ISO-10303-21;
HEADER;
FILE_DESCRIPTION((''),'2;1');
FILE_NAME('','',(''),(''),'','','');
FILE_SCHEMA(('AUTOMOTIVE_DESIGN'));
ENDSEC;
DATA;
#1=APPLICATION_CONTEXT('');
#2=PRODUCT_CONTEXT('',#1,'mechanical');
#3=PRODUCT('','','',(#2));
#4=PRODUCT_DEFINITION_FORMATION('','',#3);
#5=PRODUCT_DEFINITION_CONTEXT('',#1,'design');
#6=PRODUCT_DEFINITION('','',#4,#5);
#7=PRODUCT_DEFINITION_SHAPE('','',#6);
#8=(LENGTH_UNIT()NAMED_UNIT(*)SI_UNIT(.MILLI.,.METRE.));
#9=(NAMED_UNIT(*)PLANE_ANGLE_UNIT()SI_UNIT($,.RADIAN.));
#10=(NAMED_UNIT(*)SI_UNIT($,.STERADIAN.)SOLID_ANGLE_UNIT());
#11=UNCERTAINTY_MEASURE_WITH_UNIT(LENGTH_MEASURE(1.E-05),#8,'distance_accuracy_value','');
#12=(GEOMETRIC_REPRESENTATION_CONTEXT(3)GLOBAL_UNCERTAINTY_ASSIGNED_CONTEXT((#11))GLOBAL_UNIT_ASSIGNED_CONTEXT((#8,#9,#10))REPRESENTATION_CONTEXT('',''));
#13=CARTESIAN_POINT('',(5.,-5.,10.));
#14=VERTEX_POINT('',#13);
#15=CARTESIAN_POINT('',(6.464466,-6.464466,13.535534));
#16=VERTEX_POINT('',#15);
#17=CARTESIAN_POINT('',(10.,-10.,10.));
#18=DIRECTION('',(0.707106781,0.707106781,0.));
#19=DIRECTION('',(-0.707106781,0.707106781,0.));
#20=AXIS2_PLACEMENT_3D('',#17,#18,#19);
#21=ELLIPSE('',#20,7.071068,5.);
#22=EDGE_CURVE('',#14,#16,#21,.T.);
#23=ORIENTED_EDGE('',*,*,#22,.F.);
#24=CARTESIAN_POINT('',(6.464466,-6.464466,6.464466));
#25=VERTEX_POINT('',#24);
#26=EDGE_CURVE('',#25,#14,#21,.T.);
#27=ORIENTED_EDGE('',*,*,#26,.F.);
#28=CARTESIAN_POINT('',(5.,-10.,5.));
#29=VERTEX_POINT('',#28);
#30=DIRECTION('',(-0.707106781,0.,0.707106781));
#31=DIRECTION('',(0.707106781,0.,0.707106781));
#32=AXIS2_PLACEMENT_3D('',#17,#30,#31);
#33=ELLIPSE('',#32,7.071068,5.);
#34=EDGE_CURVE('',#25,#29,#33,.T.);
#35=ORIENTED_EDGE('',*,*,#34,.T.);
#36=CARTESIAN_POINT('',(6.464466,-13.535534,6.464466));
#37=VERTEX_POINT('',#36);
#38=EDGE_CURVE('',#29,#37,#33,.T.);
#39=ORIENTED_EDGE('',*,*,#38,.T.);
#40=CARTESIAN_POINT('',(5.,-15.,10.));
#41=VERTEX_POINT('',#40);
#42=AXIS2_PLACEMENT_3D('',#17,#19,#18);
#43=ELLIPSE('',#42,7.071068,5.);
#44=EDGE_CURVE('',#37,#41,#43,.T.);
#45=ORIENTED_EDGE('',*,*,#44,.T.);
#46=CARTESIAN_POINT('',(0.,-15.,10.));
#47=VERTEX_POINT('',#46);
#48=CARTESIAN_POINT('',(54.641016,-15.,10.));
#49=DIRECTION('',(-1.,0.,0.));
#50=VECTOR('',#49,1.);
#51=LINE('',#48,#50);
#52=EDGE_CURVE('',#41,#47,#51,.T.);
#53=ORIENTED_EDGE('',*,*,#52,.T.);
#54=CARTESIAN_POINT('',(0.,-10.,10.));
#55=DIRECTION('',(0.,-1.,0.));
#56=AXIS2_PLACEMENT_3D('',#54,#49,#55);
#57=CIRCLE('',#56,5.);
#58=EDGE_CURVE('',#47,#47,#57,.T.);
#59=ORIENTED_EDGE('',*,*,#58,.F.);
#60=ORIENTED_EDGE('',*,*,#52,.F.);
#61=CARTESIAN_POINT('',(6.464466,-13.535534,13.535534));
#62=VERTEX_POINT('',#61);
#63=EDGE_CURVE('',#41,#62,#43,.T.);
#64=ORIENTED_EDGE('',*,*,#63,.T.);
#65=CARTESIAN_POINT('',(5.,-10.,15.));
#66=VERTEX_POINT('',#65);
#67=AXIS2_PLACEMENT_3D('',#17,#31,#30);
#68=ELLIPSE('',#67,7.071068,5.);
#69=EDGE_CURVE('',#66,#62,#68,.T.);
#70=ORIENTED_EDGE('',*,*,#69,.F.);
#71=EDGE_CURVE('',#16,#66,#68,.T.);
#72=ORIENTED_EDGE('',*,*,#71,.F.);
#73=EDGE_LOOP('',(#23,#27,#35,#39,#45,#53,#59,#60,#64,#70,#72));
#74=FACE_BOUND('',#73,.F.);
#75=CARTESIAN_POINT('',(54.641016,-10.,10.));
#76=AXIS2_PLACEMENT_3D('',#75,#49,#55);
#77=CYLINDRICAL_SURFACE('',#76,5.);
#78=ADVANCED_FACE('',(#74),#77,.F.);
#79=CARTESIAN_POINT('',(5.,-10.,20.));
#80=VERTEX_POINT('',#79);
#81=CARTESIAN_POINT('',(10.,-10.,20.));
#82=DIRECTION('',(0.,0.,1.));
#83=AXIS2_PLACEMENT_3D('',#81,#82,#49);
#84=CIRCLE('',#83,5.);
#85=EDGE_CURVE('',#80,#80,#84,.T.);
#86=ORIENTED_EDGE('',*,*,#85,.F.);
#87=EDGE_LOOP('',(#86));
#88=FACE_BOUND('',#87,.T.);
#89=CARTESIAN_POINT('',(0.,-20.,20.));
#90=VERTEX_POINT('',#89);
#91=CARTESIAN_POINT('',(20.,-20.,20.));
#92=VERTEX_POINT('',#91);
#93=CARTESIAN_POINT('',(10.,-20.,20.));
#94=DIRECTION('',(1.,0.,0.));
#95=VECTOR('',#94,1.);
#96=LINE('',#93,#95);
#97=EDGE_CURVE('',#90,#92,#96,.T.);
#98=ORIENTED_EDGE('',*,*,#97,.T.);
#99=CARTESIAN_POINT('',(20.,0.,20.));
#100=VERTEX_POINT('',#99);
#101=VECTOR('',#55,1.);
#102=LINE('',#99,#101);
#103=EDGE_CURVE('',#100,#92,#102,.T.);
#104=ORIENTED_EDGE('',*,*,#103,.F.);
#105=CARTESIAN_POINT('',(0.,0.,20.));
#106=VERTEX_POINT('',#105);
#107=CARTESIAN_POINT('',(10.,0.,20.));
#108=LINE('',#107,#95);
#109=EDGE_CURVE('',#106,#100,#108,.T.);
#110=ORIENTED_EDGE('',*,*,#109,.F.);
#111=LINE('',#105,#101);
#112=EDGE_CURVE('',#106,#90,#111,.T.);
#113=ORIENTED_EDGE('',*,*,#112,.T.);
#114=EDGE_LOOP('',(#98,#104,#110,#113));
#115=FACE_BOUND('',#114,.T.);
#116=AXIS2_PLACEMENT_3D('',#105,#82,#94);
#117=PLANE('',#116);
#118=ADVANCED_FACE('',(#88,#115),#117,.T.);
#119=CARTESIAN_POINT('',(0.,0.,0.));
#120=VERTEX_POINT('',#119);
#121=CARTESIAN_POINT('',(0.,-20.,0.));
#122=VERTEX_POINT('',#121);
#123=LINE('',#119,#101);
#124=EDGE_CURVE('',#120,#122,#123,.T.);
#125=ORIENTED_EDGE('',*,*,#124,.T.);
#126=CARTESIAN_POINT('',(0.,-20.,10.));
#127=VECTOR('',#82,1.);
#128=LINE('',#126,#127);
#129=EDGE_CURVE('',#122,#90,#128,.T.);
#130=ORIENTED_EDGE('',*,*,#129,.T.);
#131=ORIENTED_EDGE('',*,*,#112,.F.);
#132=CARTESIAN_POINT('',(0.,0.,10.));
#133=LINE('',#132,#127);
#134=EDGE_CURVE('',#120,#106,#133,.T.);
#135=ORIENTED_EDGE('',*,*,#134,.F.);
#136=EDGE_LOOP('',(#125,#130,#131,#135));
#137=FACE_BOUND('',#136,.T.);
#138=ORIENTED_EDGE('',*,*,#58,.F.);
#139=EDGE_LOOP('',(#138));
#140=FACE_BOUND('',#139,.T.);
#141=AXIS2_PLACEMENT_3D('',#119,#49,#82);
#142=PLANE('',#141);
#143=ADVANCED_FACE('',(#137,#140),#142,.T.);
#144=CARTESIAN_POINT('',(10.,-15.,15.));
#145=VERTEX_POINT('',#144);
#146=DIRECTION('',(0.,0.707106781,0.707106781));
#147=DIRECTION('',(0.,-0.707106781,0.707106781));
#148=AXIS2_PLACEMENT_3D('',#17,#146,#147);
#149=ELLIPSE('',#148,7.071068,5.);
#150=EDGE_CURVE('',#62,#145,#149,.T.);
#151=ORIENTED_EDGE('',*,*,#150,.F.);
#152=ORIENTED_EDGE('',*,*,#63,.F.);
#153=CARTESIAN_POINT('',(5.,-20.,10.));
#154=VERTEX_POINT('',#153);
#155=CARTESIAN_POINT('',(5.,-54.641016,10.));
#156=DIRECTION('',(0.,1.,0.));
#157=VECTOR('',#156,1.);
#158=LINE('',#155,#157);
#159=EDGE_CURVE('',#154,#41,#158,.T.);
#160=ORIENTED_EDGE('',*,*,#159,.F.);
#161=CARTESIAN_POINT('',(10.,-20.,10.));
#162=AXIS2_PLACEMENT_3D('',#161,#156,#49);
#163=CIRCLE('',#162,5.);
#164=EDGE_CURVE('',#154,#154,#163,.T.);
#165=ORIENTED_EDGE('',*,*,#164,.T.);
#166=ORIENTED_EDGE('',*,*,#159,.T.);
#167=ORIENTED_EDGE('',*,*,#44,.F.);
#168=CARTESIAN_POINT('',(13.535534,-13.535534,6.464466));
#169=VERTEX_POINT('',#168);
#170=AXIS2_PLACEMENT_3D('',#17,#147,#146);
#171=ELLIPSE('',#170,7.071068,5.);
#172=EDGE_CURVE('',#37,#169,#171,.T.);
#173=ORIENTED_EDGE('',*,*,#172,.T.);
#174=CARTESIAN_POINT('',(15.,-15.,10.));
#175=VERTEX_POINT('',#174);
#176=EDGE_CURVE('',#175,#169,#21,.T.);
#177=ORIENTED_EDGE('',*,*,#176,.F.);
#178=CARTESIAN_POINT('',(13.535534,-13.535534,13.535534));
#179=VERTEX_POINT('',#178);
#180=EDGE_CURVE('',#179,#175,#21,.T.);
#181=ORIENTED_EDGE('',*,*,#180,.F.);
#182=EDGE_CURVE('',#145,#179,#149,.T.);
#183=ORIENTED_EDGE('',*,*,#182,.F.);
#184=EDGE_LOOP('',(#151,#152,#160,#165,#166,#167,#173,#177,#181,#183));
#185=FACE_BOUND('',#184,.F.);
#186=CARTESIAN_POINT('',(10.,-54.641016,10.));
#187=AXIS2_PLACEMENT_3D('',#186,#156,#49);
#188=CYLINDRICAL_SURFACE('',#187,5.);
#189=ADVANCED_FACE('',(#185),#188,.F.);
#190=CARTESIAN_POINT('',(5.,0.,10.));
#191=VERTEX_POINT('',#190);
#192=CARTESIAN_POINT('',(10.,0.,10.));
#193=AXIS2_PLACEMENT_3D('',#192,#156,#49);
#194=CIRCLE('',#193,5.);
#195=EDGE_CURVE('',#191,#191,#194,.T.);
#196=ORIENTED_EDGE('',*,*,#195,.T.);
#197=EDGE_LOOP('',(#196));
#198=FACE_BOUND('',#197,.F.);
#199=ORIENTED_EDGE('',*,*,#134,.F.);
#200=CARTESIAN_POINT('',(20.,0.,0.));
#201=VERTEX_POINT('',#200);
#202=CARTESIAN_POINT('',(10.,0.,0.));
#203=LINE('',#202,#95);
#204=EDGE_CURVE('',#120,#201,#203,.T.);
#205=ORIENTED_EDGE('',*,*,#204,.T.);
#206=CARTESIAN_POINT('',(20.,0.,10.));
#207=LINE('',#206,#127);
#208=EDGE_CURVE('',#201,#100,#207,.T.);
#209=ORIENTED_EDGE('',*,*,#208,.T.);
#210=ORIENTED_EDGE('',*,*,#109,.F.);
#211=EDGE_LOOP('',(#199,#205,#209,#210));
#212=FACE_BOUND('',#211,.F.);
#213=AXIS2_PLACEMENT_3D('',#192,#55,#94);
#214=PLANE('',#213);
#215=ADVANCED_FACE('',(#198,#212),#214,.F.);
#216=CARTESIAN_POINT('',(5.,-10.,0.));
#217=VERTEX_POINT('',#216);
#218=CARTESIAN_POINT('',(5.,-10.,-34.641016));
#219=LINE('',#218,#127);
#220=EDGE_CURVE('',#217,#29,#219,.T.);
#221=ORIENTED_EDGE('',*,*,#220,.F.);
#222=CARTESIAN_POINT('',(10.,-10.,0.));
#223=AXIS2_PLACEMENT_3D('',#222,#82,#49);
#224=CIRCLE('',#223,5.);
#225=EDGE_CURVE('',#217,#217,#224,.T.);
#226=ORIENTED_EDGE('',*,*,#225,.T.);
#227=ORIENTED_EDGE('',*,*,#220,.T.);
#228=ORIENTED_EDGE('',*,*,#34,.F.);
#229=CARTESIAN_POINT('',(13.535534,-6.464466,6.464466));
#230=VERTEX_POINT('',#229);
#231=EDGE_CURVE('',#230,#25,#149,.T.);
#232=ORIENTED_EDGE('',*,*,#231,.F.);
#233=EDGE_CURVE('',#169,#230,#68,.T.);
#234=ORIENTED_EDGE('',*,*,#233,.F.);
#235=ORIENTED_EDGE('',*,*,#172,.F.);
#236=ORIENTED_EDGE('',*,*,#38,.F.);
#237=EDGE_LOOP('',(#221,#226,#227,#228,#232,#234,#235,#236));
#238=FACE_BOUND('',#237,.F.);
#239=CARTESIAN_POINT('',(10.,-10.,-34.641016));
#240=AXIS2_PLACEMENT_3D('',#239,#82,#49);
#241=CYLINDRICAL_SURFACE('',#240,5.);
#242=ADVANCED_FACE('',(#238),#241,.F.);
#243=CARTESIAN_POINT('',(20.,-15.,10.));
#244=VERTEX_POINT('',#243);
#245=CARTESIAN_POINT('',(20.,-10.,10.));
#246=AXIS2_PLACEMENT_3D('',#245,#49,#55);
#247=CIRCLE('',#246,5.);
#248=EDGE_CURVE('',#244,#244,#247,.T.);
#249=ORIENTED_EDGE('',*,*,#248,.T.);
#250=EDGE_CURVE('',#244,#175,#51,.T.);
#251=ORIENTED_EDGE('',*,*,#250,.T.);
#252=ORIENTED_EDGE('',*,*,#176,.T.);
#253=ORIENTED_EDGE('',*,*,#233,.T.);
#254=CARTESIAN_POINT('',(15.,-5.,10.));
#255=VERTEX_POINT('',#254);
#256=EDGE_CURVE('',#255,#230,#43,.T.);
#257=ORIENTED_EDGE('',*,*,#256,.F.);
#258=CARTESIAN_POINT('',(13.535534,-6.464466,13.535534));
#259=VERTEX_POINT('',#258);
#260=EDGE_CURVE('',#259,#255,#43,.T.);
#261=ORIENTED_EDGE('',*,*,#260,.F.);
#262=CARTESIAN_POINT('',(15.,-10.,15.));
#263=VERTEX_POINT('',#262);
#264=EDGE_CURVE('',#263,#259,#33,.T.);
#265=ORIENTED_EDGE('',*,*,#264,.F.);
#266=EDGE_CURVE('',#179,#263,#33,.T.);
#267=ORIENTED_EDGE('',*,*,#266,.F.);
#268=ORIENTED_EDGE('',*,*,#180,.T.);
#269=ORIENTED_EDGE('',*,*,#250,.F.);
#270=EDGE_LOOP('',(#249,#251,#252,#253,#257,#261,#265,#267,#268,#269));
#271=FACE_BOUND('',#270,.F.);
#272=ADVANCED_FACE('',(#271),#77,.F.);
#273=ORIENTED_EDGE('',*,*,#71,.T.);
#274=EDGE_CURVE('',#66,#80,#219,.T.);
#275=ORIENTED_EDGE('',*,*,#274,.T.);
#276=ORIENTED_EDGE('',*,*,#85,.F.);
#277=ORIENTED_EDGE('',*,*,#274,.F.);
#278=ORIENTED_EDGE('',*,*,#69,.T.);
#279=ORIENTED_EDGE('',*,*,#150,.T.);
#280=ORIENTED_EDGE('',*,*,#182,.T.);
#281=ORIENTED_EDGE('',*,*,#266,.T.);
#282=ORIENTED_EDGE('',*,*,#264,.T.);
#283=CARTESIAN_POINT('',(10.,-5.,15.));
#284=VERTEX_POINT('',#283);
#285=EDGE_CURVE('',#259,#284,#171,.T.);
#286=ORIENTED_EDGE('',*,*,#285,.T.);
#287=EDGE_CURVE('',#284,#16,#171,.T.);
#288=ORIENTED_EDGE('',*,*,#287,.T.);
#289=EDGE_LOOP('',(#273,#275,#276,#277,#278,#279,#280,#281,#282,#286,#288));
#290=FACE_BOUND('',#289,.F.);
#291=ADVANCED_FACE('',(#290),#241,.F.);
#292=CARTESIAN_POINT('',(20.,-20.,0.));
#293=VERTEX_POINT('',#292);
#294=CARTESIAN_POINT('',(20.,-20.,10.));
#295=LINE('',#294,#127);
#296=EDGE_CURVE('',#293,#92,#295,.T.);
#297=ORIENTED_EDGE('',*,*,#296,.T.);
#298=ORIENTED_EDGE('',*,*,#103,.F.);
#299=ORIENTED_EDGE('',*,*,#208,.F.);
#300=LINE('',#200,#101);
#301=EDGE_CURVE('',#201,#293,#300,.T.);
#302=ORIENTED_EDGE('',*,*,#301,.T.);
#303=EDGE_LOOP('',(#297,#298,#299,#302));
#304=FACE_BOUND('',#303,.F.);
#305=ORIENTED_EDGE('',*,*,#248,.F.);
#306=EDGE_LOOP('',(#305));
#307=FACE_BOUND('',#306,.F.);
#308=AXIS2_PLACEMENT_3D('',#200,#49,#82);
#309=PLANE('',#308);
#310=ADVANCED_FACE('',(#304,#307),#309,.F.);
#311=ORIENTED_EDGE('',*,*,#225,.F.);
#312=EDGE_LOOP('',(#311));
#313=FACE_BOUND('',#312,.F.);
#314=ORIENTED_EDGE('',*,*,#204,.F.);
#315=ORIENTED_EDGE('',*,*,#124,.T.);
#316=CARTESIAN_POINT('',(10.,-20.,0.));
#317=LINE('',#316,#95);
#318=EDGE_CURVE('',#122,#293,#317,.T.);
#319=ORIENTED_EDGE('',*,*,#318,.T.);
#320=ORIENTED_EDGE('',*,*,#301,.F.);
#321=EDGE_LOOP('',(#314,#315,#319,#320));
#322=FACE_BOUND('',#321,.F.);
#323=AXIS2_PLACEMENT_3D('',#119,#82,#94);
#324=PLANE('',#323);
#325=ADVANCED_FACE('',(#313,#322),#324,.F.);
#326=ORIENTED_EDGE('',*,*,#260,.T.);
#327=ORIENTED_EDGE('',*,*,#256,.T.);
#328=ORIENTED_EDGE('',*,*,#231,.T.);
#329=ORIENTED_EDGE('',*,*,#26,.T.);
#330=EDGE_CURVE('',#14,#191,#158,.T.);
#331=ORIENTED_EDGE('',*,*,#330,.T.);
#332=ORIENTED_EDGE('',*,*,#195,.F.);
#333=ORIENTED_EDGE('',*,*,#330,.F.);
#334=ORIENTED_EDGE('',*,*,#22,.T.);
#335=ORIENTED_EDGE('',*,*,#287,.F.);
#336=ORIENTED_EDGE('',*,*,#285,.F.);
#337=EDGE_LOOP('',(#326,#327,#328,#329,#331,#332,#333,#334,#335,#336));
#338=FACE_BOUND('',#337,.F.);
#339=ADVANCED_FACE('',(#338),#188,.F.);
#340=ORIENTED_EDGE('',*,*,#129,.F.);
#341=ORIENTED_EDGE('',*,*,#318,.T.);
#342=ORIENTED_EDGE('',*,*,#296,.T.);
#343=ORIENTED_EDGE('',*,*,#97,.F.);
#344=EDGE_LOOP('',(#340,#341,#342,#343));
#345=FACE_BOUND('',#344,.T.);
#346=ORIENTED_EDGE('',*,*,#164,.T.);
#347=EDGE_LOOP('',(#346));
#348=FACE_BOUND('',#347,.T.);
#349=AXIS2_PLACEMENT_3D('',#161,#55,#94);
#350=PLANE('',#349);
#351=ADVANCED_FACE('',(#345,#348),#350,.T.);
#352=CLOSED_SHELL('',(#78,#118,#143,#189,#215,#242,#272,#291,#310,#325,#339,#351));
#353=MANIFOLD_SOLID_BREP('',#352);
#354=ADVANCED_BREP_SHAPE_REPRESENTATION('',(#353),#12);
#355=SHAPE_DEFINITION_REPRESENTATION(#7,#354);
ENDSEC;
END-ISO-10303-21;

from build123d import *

# Parameters (mm, degrees)
F0_W     = 20
F0_H     = 20
F1_DEPTH = 20
F3_D     = 10
F5_D     = 10
F7_D     = 10


with BuildPart() as f1:
    # F0 (on Front) → F1 (new body)
    with BuildSketch(Plane.XZ):
        with Locations((10, 10)):
            Rectangle(F0_W, F0_H)
    extrude(amount=F1_DEPTH)

    # F3 (through all)
    with Locations(Plane(origin=(0, 0, 0), x_dir=(1, 0, 0), z_dir=(0, 0, -1))):
        with Locations((10, 10)):
            Hole(F3_D / 2)

    # F5 (through all)
    with Locations(Plane.XZ.offset(20)):
        with Locations((10, 10)):
            Hole(F5_D / 2)

    # F7 (through all)
    with Locations(Plane.YZ.offset(20)):
        with Locations((-10, 10)):
            Hole(F7_D / 2)


solid = f1.part
